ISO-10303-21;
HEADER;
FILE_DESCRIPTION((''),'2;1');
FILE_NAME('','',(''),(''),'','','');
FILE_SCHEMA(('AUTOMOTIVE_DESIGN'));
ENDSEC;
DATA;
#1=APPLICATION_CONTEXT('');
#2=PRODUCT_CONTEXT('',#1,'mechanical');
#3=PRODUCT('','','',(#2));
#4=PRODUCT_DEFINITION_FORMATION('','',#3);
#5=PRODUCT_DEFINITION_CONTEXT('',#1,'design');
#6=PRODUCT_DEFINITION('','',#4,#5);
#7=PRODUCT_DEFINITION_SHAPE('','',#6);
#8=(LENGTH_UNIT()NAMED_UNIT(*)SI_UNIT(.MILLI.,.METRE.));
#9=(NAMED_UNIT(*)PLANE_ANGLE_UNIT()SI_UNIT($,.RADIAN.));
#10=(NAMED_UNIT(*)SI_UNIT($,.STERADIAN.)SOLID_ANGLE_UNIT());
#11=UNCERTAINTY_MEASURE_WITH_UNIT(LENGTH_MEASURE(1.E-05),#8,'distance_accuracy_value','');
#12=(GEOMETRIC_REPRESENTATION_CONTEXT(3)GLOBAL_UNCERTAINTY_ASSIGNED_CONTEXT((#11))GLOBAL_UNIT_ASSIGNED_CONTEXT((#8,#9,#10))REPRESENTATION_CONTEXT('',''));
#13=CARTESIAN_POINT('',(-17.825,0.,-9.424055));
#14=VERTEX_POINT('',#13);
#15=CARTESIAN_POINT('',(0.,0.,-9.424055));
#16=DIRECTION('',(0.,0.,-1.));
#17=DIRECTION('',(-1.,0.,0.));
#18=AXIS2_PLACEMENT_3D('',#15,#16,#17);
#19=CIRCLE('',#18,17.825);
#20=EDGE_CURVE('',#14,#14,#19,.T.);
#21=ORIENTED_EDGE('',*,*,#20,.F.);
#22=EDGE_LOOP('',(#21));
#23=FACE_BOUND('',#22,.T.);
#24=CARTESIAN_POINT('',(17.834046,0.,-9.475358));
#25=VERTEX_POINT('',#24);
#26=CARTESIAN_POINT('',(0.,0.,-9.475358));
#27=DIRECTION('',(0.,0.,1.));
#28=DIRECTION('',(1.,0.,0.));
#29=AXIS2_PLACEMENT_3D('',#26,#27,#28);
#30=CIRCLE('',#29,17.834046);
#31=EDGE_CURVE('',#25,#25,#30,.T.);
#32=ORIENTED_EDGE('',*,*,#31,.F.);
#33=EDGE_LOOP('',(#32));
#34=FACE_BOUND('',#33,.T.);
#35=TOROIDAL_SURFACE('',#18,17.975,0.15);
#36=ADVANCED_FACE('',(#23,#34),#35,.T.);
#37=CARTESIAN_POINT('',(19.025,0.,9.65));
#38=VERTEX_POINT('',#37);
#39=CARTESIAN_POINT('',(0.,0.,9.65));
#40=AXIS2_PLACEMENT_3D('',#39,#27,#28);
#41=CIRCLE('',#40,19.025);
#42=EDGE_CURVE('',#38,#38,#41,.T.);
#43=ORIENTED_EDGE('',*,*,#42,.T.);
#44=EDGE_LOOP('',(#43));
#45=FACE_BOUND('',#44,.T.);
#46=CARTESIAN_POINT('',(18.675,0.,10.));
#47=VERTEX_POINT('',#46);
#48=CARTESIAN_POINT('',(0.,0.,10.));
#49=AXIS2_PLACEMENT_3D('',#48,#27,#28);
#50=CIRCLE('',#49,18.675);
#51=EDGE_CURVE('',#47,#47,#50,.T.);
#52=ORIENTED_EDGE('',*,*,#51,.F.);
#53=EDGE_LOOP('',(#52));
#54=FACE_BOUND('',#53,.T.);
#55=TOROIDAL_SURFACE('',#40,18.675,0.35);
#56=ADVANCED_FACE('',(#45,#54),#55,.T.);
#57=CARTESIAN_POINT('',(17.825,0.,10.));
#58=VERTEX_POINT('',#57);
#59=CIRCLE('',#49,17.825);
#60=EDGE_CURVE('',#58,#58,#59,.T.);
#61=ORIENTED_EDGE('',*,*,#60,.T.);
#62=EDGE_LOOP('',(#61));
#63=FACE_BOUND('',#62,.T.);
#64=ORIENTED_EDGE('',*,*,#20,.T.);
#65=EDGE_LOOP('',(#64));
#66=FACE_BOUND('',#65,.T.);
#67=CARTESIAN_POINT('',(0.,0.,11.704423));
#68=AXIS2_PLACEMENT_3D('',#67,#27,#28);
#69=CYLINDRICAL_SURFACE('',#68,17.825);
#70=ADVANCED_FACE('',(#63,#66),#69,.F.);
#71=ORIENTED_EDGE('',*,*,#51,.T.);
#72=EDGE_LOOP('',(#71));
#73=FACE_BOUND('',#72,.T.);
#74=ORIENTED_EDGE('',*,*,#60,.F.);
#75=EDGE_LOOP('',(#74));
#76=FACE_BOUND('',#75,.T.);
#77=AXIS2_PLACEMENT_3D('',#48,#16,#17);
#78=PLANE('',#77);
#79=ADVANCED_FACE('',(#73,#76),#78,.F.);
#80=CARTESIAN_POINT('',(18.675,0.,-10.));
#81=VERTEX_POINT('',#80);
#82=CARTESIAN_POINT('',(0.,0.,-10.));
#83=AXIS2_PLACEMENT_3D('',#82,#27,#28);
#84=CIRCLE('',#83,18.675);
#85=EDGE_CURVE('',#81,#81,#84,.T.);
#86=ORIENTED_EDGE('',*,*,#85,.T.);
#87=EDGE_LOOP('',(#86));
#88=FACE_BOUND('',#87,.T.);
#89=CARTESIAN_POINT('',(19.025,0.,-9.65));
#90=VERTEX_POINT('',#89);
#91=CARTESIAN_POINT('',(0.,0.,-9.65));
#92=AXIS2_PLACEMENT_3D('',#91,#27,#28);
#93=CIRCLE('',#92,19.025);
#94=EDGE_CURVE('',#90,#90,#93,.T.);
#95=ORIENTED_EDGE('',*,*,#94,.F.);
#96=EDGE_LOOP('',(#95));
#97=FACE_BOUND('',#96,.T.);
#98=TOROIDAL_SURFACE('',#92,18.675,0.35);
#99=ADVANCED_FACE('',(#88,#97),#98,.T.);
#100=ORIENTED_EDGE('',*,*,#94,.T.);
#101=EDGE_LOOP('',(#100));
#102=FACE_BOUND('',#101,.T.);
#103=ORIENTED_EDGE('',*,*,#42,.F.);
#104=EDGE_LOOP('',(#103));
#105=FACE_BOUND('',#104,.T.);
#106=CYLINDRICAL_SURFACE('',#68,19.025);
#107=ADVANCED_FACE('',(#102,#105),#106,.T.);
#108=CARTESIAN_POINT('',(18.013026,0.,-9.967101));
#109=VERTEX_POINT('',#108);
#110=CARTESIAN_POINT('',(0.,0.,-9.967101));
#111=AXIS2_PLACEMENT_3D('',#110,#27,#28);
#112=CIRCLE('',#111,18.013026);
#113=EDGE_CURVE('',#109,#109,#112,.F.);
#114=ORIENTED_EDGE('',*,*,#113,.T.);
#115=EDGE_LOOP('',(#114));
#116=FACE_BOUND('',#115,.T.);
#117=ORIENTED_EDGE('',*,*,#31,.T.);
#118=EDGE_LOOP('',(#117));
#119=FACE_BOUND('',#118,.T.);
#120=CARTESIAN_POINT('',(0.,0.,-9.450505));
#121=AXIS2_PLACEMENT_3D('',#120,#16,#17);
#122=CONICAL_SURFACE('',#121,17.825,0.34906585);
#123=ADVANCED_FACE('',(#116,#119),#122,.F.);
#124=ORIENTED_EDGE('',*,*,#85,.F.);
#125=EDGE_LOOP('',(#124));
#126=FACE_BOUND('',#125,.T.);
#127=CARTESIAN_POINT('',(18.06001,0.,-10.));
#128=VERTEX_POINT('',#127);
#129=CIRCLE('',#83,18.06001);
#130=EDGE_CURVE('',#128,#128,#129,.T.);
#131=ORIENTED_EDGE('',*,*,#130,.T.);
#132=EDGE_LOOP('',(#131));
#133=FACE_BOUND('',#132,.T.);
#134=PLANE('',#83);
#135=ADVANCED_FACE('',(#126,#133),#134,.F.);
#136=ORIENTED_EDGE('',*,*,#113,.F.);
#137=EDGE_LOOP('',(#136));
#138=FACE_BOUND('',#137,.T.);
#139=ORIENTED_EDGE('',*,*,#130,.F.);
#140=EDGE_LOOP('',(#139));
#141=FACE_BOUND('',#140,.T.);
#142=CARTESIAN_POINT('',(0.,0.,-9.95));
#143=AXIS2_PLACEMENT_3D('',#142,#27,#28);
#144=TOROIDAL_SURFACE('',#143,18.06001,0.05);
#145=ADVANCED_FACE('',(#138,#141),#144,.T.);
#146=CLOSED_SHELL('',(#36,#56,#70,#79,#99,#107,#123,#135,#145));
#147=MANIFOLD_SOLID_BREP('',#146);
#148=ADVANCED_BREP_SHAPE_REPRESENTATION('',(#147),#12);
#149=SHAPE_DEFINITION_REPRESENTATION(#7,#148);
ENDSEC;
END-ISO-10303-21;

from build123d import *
from OCP.BRepFilletAPI import BRepFilletAPI_MakeFillet

# Parameters (mm, degrees)
FILLET1_R1 = 0.05
FILLET1_R2 = 0.15


with BuildPart() as part:
    # Sketch1 → Revolve1 (revolve)
    with BuildSketch(Plane(origin=(0, 0, 0), x_dir=(0, 0, -1), z_dir=(1, 0, 0))):
        with BuildLine():
            Line((-10, 18.675), (-10, 17.825))
            Line((-10, 17.825), (9.450504516, 17.825))
            Line((9.450504516, 17.825), (10, 18.025))
            Line((10, 18.025), (10, 18.675))
            ThreePointArc((10, 18.675), (9.897487373, 18.922487373), (9.65, 19.025))
            Line((9.65, 19.025), (-9.65, 19.025))
            ThreePointArc((-9.65, 19.025), (-9.897487373, 18.922487373), (-10, 18.675))
        make_face()
    revolve(axis=Axis((0, 0, 11.704423327), (0, 0, -1)))

    # Fillet1: one fillet with a radius per group of edges: ONE call of the kernel's fillet builder (fillet() takes one radius for all edges)
    fillet1_edges_1 = [part.edges().sort_by_distance(p)[0] for p in [
        (0, -18.025, -10),
    ]]
    fillet1_edges_2 = [part.edges().sort_by_distance(p)[0] for p in [
        (0, -17.825, -9.450504516),
    ]]
    fillet1 = BRepFilletAPI_MakeFillet(part.part.solid().wrapped)
    for e in fillet1_edges_1:
        fillet1.Add(FILLET1_R1, e.wrapped)
    for e in fillet1_edges_2:
        fillet1.Add(FILLET1_R2, e.wrapped)
    add(Compound.cast(fillet1.Shape()), mode=Mode.REPLACE)


solid = part.part
